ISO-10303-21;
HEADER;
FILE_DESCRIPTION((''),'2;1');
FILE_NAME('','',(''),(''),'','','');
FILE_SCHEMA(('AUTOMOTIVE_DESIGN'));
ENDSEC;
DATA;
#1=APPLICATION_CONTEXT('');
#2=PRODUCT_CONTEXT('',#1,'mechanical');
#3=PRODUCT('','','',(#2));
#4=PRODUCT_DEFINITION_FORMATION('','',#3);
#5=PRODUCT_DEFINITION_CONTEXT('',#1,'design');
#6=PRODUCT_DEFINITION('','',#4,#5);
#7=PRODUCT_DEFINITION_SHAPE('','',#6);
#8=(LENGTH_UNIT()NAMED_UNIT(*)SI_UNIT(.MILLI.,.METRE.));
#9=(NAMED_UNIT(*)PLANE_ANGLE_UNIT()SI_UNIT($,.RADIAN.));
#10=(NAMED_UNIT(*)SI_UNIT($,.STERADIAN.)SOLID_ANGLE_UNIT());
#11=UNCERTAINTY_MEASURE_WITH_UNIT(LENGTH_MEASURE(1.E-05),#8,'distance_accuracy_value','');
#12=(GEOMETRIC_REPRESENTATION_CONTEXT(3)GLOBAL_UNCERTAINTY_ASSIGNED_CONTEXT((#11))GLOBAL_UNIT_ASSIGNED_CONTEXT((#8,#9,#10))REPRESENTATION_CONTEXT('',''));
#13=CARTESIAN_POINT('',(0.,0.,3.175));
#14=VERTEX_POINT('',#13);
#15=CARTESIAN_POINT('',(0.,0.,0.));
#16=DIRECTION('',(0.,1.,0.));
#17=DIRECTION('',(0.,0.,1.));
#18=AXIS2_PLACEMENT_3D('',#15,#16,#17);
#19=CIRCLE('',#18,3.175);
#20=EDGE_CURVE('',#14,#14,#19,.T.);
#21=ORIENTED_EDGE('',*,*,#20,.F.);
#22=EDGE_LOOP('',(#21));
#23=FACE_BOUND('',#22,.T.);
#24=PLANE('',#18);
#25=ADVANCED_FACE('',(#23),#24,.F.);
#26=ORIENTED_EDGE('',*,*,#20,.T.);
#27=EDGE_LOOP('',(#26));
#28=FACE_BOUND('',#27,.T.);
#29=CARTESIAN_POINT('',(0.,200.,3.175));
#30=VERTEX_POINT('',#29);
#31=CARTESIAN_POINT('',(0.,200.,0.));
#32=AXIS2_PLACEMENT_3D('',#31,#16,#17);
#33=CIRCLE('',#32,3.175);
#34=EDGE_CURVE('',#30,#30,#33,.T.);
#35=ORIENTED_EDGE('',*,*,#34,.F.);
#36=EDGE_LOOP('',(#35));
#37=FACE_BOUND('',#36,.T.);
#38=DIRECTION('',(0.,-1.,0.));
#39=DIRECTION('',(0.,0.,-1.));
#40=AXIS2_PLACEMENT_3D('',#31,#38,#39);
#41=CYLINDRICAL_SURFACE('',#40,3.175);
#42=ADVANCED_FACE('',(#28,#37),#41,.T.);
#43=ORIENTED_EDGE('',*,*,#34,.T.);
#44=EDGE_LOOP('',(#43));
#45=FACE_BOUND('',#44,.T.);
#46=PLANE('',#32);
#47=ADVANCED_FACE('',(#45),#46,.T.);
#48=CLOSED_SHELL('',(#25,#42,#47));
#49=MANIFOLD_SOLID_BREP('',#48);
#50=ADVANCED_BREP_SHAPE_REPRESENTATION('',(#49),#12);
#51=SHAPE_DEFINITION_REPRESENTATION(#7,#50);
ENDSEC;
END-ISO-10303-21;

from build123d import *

# Parameters (mm, degrees)
SKETCH1_R           = 3.175
BOSS_EXTRUDE1_DEPTH = 200


with BuildPart() as part:
    # Sketch1 → Boss-Extrude1 (new body)
    with BuildSketch(Plane(origin=(0, 0, 0), x_dir=(1, 0, 0), z_dir=(0, 1, 0))):
        Circle(SKETCH1_R)
    extrude(amount=BOSS_EXTRUDE1_DEPTH)


solid = part.part
